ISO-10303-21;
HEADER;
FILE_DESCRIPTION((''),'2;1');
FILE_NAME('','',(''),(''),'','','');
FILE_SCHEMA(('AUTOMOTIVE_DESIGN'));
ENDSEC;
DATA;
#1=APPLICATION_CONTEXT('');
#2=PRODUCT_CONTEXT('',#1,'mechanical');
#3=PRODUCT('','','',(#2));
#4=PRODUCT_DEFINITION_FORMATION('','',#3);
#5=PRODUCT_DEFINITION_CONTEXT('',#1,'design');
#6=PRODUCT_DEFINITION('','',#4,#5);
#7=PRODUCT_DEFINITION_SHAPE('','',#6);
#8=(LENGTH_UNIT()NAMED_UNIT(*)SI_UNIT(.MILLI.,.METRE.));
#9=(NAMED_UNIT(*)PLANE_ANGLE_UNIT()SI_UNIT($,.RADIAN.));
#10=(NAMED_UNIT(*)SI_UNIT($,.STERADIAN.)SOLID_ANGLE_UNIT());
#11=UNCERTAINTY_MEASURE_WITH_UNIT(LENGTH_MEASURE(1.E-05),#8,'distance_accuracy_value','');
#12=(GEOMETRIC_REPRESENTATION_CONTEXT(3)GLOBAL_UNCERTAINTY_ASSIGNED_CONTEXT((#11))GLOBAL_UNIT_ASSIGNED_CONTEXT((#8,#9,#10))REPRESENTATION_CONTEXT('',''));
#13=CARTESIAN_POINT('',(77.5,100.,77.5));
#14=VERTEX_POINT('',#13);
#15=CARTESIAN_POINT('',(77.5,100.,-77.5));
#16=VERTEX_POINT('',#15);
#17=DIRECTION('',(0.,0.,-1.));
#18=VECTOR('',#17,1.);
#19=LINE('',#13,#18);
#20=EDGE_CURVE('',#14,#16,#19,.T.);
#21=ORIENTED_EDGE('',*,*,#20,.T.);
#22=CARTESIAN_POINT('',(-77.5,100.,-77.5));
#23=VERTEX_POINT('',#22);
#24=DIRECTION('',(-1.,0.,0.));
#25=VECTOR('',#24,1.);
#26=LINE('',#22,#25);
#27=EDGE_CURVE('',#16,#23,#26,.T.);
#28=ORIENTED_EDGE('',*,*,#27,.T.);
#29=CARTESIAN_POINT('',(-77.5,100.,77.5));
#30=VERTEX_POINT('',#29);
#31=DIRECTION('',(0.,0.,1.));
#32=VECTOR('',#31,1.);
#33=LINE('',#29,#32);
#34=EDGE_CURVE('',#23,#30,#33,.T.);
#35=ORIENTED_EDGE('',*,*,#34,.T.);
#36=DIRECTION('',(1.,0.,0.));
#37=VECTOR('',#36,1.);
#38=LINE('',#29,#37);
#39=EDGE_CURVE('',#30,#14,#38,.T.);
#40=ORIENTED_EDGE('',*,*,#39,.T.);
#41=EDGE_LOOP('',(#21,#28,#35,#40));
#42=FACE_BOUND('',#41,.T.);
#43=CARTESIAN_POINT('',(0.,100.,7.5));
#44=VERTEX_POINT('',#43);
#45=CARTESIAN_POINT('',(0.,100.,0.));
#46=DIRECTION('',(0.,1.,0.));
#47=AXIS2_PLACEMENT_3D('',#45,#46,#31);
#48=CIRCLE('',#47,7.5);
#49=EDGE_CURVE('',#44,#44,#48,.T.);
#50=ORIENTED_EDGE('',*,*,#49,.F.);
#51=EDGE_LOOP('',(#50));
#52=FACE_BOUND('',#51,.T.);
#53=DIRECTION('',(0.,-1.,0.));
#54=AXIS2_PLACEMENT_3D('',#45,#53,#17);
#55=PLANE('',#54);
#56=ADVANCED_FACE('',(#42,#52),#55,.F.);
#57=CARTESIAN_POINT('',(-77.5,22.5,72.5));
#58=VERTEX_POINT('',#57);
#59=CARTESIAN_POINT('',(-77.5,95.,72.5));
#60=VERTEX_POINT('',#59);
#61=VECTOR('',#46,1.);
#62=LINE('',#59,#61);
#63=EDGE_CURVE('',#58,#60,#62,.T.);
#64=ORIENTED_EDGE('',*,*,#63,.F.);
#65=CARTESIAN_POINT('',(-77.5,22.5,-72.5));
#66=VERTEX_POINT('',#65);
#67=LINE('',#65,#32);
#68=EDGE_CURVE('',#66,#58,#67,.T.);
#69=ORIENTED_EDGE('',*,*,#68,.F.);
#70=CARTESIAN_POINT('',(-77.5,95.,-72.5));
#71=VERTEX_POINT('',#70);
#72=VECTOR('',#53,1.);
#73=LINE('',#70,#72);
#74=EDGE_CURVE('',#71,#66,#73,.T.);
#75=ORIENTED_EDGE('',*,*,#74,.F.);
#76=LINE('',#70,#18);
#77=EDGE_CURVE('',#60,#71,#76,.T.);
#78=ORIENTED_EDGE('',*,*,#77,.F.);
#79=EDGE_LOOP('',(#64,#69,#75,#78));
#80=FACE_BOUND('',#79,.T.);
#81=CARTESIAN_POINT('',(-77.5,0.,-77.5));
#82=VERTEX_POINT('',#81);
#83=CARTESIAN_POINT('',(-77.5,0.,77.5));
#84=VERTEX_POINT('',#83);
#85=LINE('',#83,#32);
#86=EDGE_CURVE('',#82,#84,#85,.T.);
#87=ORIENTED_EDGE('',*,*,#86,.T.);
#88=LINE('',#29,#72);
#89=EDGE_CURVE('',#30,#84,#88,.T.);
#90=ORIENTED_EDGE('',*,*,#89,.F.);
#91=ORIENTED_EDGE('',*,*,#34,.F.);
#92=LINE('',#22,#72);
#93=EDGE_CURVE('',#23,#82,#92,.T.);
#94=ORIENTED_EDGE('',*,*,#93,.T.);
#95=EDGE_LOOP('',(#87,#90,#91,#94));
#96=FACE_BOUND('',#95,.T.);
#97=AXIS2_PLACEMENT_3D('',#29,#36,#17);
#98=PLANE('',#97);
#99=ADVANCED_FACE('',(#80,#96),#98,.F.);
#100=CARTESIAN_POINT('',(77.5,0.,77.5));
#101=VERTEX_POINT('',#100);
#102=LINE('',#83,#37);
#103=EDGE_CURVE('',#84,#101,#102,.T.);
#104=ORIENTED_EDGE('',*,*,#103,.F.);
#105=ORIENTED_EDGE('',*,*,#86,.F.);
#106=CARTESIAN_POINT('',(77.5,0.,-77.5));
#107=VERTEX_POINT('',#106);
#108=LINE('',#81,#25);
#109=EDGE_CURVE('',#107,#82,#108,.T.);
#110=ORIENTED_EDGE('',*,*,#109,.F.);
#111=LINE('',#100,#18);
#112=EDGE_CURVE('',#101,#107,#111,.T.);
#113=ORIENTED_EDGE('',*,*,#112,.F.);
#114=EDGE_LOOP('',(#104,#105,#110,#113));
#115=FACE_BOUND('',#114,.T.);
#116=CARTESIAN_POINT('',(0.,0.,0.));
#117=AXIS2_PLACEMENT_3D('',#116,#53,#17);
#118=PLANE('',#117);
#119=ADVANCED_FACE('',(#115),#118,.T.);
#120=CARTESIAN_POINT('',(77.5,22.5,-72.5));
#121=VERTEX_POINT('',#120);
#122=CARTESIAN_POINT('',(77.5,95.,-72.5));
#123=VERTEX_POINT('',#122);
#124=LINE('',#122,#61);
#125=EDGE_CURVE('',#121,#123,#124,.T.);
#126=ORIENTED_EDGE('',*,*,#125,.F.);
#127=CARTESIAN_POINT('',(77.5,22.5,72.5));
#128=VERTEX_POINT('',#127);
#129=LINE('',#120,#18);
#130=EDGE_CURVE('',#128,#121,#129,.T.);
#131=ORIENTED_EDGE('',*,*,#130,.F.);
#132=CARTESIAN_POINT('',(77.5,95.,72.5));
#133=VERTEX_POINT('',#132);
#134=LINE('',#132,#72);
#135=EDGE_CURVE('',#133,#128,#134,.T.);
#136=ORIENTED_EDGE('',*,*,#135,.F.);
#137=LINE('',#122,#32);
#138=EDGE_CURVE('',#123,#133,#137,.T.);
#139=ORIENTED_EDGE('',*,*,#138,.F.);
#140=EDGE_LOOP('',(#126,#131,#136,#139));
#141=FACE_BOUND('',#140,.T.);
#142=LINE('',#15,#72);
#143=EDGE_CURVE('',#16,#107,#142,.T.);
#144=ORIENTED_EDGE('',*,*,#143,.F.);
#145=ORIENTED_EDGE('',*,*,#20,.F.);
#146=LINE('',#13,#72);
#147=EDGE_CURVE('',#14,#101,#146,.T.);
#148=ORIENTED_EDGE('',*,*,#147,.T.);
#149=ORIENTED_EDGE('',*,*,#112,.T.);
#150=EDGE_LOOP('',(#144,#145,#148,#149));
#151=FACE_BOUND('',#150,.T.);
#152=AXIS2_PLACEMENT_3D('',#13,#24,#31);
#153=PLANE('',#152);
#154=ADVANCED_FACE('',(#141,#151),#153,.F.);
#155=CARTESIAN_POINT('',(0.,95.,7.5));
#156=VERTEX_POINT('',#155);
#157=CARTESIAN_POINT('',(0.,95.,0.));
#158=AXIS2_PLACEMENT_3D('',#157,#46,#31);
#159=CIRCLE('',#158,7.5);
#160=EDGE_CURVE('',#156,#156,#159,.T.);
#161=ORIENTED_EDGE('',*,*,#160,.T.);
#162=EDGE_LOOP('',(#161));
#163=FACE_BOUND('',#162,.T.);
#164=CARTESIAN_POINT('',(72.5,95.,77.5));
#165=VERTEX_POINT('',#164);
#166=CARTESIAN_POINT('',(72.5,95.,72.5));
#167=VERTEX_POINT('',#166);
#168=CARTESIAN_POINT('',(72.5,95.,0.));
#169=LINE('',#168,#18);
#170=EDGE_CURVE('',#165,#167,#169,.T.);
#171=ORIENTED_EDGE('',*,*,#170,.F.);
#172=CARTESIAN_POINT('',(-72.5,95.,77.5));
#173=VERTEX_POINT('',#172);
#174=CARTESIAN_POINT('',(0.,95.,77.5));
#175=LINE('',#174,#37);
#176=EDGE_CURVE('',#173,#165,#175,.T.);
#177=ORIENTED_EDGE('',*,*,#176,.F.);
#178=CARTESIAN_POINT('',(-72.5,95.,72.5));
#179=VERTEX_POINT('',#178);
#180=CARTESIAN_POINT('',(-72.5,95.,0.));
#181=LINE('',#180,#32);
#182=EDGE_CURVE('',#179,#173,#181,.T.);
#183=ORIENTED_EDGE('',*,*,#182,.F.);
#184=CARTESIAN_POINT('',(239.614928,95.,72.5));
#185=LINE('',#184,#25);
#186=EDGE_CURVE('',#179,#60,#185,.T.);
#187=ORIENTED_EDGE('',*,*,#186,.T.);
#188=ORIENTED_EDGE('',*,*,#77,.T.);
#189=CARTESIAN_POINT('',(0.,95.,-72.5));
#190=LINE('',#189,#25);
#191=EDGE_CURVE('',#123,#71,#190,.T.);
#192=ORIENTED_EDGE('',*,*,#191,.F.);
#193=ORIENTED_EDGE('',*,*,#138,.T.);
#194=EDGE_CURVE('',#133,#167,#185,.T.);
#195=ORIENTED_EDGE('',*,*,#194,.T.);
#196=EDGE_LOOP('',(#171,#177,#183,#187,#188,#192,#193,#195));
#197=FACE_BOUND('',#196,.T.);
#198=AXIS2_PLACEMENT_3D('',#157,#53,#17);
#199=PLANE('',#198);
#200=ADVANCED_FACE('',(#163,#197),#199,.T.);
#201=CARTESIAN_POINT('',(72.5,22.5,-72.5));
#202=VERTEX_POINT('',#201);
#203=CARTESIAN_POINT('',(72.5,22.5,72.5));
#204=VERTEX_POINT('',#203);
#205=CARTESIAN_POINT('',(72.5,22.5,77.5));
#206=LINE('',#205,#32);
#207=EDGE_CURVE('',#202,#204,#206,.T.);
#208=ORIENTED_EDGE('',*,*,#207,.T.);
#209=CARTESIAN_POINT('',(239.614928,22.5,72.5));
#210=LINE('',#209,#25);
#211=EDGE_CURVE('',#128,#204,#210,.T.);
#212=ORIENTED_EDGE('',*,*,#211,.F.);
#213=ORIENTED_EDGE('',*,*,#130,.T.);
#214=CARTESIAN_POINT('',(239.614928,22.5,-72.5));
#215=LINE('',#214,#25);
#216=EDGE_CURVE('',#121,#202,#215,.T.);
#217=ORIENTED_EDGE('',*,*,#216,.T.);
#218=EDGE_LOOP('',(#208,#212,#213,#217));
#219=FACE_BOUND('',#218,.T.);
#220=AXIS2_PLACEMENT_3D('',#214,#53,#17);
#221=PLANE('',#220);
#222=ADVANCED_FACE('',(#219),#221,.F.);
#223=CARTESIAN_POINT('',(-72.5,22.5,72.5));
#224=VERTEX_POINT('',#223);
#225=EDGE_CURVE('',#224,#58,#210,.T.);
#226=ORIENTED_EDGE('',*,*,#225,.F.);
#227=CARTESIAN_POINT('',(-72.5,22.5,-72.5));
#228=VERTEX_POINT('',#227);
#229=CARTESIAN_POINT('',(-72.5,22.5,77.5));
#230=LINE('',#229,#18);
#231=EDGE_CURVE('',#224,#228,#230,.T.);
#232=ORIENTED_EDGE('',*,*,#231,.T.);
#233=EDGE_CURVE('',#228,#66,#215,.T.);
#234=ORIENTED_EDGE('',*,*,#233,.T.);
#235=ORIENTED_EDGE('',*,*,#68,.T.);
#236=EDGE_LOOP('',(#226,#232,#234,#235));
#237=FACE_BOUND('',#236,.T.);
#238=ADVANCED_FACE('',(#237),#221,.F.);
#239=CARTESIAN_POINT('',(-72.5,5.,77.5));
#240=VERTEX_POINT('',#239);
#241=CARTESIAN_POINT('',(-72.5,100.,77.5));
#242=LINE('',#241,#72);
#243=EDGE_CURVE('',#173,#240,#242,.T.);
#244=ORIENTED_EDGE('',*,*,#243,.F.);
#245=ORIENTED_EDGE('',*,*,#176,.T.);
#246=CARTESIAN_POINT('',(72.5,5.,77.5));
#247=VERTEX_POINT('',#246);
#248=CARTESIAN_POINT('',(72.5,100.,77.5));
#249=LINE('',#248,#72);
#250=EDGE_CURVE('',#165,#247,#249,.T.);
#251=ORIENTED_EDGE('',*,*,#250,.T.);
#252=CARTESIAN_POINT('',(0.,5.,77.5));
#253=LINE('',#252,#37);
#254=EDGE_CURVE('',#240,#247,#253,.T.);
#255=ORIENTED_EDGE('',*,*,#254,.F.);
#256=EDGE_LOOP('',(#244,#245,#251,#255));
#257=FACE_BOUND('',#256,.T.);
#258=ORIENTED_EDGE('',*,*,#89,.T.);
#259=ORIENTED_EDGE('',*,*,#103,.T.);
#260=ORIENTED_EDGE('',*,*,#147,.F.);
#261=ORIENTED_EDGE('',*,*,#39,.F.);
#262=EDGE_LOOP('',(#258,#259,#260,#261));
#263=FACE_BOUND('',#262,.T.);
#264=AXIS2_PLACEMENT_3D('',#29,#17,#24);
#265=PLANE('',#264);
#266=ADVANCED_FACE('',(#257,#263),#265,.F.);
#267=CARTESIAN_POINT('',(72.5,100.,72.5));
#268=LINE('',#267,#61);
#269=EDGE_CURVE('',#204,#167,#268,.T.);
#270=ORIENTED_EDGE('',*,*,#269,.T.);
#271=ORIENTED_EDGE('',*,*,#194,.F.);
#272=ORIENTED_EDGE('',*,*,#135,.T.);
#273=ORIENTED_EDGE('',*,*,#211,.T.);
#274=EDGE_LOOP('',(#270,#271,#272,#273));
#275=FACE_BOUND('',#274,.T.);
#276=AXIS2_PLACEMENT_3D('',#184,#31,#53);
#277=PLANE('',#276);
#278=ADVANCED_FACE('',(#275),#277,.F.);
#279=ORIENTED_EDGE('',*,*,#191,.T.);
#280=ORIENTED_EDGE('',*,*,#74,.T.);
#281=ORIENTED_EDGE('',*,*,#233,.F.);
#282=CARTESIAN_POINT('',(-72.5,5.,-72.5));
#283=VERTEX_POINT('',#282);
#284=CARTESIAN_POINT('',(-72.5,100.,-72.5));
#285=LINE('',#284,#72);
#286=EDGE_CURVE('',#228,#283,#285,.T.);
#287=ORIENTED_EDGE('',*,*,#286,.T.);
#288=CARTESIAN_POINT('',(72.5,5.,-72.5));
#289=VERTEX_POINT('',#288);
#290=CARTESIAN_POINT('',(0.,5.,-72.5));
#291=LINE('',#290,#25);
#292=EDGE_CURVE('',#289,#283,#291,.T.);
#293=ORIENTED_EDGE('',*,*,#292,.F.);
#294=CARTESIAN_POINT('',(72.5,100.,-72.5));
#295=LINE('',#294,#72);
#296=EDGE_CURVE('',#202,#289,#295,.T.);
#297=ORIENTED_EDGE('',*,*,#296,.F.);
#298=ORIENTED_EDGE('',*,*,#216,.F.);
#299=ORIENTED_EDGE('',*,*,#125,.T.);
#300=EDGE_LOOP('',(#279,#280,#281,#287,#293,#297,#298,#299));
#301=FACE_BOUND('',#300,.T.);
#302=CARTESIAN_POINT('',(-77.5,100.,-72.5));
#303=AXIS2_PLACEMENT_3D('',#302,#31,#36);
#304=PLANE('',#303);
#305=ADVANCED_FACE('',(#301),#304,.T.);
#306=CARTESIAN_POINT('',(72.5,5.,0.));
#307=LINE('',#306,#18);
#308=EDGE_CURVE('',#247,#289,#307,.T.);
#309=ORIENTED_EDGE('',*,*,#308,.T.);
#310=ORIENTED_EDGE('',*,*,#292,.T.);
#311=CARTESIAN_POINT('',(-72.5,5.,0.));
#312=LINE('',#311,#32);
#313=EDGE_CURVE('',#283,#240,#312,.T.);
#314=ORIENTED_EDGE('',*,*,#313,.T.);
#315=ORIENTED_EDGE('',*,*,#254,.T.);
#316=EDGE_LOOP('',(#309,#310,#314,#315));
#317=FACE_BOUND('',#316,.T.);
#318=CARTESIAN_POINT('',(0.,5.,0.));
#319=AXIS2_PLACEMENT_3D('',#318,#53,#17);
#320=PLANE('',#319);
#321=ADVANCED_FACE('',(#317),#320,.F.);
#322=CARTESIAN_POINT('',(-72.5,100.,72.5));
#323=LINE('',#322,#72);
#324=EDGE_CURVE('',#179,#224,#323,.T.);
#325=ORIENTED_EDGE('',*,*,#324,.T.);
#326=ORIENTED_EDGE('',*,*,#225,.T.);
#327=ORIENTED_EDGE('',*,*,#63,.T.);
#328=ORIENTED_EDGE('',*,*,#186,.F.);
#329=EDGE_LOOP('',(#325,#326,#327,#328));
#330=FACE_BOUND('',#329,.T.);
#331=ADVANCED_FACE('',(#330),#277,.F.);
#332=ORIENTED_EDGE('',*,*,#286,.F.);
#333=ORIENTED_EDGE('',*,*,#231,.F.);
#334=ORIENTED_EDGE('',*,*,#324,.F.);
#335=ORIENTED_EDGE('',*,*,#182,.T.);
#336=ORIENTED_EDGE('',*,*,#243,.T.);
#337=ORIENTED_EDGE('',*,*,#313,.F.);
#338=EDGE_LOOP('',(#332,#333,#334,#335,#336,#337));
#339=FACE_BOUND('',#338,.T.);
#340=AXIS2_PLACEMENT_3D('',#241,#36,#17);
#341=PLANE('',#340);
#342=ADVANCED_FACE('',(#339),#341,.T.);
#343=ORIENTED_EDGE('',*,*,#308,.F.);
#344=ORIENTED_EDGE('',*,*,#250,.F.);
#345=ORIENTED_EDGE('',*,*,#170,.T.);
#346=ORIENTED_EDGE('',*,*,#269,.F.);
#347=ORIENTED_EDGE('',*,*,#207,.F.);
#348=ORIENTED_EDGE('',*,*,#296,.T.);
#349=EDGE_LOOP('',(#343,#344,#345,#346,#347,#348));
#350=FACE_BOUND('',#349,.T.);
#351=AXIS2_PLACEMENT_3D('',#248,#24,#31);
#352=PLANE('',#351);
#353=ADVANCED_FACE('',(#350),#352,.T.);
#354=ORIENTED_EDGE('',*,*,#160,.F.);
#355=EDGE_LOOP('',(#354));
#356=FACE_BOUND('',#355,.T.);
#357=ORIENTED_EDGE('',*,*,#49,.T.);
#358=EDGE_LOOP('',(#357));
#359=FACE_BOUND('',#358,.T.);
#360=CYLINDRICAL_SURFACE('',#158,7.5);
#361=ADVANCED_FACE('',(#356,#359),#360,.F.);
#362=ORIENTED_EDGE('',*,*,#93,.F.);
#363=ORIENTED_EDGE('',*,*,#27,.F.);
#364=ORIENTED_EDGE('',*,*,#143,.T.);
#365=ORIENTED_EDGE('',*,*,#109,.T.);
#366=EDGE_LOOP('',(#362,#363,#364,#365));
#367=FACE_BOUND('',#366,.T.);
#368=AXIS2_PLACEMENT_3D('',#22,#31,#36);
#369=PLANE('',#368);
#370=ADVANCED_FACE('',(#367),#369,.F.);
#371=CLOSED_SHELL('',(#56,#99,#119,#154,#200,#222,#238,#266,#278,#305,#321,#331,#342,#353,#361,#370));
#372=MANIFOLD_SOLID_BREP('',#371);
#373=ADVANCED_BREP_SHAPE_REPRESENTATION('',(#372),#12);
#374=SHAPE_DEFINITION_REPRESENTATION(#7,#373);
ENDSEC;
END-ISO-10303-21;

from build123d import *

# Parameters (mm, degrees)
SKETCH1_W           = 155
SKETCH1_H           = 155
BOSS_EXTRUDE1_DEPTH = 100
SHELL1_T            = -5
SKETCH2_R           = 7.5
CUT_EXTRUDE1_DEPTH  = 5
CUT_EXTRUDE2_REACH  = 202.078
SKETCH5_W           = 145
SKETCH5_H           = 72.5


with BuildPart() as part:
    # Sketch1 → Boss-Extrude1 (new body)
    with BuildSketch(Plane(origin=(0, 0, 0), x_dir=(1, 0, 0), z_dir=(0, 1, 0))):
        Rectangle(SKETCH1_W, SKETCH1_H)
    extrude(amount=BOSS_EXTRUDE1_DEPTH)

    # Shell1
    shell1_openings = [part.faces().sort_by_distance(p)[0] for p in [
        (0, 50, 77.5),
    ]]
    offset(amount=SHELL1_T, openings=shell1_openings, kind=Kind.INTERSECTION)

    # Sketch2 → Cut-Extrude1 (cut)
    with BuildSketch(Plane(origin=(0, 100, 0), x_dir=(1, 0, 0), z_dir=(0, 1, 0))):
        with Locations(Location((0, 0, 0), (0, 0, 270))):
            Circle(SKETCH2_R)
    extrude(amount=-CUT_EXTRUDE1_DEPTH, mode=Mode.SUBTRACT)

    # Cut-Extrude2: up to this face of the body (flat: up to its plane)
    cut_extrude2_end = Plane(part.part.faces().sort_by_distance((77.5, 50, 0))[0])
    # Sketch5 → Cut-Extrude2 (cut, up to the picked face)
    with BuildSketch(Plane.ZY.offset(77.5), mode=Mode.PRIVATE) as cut_extrude2_sk1:
        with Locations((0, 58.75)):
            Rectangle(SKETCH5_W, SKETCH5_H)
    cut_extrude2_tool1 = split(extrude(cut_extrude2_sk1.sketch, amount=-CUT_EXTRUDE2_REACH, mode=Mode.PRIVATE), bisect_by=cut_extrude2_end, keep=Keep.BOTH, mode=Mode.PRIVATE)
    add(cut_extrude2_tool1.solids().sort_by(Axis((-77.5, 58.75, 0), (1, 0, 0)))[0], mode=Mode.SUBTRACT)


solid = part.part
